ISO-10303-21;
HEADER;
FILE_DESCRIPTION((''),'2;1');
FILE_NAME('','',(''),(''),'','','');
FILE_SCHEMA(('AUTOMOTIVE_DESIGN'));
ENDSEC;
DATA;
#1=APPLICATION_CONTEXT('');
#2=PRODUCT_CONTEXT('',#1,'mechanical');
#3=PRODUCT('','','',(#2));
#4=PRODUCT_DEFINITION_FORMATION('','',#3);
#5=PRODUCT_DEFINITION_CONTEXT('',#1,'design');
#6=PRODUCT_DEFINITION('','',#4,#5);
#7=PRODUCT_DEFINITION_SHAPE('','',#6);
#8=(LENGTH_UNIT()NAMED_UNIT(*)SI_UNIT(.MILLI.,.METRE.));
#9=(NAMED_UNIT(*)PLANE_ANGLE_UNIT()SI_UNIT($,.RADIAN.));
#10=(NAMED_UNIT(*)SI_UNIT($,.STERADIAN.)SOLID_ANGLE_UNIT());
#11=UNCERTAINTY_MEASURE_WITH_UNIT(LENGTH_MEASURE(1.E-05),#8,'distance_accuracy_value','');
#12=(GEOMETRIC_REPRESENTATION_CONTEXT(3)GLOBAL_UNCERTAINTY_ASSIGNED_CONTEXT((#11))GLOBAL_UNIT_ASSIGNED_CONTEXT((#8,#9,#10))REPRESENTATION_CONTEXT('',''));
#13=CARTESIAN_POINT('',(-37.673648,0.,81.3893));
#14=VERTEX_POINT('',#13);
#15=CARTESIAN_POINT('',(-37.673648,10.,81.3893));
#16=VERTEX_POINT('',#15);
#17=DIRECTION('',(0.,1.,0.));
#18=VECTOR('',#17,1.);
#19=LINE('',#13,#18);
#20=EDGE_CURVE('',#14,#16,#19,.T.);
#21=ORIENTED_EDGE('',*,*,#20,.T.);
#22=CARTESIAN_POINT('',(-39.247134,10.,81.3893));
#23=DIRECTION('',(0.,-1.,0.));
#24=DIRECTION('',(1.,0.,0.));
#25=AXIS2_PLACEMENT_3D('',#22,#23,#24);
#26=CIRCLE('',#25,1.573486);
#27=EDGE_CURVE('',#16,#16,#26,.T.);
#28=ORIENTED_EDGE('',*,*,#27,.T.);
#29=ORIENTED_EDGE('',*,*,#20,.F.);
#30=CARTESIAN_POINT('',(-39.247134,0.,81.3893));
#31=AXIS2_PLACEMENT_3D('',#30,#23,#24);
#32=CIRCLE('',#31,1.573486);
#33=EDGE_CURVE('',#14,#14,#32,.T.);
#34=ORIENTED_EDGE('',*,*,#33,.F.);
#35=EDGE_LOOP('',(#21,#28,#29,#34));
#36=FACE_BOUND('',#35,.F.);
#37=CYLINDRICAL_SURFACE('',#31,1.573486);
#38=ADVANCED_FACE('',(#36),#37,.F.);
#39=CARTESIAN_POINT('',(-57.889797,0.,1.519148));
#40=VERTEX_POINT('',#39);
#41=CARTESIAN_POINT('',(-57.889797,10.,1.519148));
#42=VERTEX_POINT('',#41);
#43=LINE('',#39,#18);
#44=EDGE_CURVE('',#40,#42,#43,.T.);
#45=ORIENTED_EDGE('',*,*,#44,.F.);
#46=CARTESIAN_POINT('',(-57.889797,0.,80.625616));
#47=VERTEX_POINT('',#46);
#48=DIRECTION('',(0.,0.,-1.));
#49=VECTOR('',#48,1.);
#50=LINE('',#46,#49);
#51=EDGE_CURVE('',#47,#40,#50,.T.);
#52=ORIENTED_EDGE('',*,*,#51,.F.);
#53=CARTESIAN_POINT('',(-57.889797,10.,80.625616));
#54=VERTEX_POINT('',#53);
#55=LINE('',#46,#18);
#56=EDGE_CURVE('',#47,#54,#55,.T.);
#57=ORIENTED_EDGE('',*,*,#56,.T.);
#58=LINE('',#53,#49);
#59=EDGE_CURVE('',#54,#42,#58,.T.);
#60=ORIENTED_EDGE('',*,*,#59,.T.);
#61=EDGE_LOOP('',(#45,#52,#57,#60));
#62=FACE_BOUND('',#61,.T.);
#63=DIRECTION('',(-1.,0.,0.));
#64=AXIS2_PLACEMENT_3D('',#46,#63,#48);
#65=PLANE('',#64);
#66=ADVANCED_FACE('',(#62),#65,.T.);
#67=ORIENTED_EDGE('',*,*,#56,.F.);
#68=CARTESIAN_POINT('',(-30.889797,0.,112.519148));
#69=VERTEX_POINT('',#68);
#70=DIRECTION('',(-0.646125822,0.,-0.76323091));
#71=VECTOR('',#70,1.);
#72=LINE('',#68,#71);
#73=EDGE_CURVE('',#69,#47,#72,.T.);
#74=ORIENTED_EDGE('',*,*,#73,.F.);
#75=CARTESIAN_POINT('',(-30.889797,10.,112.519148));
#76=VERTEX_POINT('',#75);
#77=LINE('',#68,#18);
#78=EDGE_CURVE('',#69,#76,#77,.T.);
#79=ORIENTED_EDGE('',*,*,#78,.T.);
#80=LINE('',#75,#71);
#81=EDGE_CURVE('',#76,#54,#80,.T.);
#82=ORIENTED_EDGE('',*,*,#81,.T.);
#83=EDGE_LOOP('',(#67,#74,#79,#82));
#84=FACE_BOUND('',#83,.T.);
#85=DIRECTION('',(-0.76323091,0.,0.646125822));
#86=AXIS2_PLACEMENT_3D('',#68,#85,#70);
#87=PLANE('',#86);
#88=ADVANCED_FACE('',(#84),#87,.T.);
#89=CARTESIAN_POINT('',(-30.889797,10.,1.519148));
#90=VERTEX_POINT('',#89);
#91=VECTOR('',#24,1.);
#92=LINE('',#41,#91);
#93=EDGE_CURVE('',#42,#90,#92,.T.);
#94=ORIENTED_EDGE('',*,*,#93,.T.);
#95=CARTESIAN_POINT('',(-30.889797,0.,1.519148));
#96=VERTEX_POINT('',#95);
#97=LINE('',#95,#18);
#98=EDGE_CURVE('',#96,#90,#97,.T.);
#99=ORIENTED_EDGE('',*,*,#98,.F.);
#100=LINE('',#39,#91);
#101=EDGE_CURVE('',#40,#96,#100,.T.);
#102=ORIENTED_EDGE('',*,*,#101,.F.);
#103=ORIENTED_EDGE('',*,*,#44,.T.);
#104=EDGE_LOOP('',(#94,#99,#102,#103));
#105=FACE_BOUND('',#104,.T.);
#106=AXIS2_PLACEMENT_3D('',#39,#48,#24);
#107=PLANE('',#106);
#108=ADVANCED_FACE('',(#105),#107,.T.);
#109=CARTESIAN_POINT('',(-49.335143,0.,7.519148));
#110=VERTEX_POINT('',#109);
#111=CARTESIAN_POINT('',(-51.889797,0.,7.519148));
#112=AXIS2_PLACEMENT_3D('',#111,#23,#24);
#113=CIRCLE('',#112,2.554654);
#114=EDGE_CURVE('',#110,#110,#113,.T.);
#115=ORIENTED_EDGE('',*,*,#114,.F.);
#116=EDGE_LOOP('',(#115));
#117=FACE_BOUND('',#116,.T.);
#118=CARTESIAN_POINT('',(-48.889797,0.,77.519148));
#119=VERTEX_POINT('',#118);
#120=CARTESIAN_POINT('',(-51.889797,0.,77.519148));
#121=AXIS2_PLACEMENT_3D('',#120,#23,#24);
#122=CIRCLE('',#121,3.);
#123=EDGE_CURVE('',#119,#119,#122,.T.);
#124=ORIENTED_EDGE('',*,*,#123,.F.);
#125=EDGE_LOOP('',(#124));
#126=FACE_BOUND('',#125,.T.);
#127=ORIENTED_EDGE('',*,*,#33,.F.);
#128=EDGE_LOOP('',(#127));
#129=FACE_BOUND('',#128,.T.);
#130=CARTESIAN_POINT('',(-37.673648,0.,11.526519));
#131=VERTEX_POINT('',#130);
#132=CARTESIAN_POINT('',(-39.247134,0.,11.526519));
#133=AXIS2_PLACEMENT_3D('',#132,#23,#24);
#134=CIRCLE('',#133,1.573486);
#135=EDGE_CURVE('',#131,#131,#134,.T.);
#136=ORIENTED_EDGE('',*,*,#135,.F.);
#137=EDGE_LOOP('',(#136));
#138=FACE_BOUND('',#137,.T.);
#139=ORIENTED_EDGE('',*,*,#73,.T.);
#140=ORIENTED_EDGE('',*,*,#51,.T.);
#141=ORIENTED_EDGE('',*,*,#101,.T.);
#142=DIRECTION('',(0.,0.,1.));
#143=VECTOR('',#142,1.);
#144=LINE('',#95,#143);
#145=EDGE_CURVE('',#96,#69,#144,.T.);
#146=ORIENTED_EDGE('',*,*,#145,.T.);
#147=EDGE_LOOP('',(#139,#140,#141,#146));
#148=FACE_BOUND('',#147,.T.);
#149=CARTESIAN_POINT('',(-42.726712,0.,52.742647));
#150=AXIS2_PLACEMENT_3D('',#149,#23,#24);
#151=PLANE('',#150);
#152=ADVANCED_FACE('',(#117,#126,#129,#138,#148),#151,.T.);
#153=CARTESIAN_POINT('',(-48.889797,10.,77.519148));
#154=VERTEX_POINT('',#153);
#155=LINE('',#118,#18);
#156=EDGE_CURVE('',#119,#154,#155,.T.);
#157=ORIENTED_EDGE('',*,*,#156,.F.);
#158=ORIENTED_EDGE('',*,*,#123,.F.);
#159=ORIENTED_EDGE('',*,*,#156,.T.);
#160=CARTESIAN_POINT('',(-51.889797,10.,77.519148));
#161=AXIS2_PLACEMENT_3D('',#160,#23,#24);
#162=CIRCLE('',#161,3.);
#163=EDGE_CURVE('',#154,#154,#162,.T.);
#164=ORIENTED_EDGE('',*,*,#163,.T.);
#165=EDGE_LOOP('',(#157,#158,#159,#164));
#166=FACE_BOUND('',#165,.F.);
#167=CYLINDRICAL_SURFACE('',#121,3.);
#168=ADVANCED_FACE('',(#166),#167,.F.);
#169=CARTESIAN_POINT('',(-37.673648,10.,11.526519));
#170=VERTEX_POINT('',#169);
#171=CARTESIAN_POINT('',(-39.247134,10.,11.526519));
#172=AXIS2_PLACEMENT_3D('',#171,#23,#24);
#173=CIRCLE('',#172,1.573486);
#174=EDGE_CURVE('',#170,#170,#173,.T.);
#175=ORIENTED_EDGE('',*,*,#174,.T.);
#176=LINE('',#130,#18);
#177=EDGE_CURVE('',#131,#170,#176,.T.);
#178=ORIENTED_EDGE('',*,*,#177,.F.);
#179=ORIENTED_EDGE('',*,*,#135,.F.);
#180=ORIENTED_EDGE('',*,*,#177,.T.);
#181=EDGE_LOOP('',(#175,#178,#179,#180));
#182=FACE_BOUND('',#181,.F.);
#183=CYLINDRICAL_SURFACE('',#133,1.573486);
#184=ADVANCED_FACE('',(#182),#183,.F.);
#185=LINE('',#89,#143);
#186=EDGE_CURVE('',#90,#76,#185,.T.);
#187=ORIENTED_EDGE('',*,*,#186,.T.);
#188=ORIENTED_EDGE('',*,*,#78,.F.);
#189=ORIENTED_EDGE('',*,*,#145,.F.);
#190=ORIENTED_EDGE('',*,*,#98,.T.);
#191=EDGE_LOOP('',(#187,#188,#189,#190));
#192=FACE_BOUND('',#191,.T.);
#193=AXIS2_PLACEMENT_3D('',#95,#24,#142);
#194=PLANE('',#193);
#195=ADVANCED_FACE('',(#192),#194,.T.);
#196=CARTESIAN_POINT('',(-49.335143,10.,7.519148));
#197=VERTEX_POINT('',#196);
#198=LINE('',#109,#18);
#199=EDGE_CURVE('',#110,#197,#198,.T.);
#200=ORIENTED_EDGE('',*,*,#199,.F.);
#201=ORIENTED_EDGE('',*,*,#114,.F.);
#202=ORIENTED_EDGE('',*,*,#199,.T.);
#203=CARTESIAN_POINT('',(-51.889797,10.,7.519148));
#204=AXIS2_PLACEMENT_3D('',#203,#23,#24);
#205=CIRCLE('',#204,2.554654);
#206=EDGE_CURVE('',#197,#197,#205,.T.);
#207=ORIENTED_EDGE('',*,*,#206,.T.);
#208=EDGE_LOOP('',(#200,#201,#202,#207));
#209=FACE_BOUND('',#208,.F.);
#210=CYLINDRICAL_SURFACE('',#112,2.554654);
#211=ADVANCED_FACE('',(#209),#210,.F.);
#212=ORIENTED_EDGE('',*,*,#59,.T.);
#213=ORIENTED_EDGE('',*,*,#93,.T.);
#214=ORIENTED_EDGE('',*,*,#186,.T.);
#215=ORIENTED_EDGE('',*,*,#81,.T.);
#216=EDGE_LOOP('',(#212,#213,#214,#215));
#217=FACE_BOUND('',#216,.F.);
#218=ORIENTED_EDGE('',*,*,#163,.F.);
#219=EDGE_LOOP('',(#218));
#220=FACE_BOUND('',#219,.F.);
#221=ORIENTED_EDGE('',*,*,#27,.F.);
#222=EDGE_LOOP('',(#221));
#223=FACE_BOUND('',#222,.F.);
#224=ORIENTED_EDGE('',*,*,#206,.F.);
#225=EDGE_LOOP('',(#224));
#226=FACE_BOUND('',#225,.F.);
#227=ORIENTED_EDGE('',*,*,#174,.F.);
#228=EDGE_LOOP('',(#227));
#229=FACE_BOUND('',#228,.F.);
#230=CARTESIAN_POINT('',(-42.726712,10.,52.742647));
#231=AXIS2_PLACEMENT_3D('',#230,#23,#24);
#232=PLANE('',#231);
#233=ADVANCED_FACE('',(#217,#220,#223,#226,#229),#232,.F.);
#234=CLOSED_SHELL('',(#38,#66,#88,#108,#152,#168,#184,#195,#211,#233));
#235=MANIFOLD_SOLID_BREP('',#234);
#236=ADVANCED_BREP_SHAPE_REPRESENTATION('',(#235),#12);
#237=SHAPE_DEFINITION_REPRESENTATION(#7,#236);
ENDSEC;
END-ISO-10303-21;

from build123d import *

# Parameters (mm, degrees)
F0_R     = 2.554654
F0_R_2   = 1.573486
F0_R_3   = 3
F1_DEPTH = 10


with BuildPart() as f1:
    # F0 (on Front) → F1 (new body)
    with BuildSketch(Plane.XZ):
        Polygon((-57.889797, 80.625616), (-57.889797, 1.519148), (-30.889797, 1.519148), (-30.889797, 112.519148), align=None)
        with Locations((-51.889797, 7.519148)):
            Circle(F0_R, mode=Mode.SUBTRACT)
        with Locations((-39.247134, 11.526519)):
            Circle(F0_R_2, mode=Mode.SUBTRACT)
        with Locations((-51.889797, 77.519148)):
            Circle(F0_R_3, mode=Mode.SUBTRACT)
        with Locations((-39.247134, 81.3893)):
            Circle(F0_R_2, mode=Mode.SUBTRACT)
    extrude(amount=-F1_DEPTH)


solid = f1.part
